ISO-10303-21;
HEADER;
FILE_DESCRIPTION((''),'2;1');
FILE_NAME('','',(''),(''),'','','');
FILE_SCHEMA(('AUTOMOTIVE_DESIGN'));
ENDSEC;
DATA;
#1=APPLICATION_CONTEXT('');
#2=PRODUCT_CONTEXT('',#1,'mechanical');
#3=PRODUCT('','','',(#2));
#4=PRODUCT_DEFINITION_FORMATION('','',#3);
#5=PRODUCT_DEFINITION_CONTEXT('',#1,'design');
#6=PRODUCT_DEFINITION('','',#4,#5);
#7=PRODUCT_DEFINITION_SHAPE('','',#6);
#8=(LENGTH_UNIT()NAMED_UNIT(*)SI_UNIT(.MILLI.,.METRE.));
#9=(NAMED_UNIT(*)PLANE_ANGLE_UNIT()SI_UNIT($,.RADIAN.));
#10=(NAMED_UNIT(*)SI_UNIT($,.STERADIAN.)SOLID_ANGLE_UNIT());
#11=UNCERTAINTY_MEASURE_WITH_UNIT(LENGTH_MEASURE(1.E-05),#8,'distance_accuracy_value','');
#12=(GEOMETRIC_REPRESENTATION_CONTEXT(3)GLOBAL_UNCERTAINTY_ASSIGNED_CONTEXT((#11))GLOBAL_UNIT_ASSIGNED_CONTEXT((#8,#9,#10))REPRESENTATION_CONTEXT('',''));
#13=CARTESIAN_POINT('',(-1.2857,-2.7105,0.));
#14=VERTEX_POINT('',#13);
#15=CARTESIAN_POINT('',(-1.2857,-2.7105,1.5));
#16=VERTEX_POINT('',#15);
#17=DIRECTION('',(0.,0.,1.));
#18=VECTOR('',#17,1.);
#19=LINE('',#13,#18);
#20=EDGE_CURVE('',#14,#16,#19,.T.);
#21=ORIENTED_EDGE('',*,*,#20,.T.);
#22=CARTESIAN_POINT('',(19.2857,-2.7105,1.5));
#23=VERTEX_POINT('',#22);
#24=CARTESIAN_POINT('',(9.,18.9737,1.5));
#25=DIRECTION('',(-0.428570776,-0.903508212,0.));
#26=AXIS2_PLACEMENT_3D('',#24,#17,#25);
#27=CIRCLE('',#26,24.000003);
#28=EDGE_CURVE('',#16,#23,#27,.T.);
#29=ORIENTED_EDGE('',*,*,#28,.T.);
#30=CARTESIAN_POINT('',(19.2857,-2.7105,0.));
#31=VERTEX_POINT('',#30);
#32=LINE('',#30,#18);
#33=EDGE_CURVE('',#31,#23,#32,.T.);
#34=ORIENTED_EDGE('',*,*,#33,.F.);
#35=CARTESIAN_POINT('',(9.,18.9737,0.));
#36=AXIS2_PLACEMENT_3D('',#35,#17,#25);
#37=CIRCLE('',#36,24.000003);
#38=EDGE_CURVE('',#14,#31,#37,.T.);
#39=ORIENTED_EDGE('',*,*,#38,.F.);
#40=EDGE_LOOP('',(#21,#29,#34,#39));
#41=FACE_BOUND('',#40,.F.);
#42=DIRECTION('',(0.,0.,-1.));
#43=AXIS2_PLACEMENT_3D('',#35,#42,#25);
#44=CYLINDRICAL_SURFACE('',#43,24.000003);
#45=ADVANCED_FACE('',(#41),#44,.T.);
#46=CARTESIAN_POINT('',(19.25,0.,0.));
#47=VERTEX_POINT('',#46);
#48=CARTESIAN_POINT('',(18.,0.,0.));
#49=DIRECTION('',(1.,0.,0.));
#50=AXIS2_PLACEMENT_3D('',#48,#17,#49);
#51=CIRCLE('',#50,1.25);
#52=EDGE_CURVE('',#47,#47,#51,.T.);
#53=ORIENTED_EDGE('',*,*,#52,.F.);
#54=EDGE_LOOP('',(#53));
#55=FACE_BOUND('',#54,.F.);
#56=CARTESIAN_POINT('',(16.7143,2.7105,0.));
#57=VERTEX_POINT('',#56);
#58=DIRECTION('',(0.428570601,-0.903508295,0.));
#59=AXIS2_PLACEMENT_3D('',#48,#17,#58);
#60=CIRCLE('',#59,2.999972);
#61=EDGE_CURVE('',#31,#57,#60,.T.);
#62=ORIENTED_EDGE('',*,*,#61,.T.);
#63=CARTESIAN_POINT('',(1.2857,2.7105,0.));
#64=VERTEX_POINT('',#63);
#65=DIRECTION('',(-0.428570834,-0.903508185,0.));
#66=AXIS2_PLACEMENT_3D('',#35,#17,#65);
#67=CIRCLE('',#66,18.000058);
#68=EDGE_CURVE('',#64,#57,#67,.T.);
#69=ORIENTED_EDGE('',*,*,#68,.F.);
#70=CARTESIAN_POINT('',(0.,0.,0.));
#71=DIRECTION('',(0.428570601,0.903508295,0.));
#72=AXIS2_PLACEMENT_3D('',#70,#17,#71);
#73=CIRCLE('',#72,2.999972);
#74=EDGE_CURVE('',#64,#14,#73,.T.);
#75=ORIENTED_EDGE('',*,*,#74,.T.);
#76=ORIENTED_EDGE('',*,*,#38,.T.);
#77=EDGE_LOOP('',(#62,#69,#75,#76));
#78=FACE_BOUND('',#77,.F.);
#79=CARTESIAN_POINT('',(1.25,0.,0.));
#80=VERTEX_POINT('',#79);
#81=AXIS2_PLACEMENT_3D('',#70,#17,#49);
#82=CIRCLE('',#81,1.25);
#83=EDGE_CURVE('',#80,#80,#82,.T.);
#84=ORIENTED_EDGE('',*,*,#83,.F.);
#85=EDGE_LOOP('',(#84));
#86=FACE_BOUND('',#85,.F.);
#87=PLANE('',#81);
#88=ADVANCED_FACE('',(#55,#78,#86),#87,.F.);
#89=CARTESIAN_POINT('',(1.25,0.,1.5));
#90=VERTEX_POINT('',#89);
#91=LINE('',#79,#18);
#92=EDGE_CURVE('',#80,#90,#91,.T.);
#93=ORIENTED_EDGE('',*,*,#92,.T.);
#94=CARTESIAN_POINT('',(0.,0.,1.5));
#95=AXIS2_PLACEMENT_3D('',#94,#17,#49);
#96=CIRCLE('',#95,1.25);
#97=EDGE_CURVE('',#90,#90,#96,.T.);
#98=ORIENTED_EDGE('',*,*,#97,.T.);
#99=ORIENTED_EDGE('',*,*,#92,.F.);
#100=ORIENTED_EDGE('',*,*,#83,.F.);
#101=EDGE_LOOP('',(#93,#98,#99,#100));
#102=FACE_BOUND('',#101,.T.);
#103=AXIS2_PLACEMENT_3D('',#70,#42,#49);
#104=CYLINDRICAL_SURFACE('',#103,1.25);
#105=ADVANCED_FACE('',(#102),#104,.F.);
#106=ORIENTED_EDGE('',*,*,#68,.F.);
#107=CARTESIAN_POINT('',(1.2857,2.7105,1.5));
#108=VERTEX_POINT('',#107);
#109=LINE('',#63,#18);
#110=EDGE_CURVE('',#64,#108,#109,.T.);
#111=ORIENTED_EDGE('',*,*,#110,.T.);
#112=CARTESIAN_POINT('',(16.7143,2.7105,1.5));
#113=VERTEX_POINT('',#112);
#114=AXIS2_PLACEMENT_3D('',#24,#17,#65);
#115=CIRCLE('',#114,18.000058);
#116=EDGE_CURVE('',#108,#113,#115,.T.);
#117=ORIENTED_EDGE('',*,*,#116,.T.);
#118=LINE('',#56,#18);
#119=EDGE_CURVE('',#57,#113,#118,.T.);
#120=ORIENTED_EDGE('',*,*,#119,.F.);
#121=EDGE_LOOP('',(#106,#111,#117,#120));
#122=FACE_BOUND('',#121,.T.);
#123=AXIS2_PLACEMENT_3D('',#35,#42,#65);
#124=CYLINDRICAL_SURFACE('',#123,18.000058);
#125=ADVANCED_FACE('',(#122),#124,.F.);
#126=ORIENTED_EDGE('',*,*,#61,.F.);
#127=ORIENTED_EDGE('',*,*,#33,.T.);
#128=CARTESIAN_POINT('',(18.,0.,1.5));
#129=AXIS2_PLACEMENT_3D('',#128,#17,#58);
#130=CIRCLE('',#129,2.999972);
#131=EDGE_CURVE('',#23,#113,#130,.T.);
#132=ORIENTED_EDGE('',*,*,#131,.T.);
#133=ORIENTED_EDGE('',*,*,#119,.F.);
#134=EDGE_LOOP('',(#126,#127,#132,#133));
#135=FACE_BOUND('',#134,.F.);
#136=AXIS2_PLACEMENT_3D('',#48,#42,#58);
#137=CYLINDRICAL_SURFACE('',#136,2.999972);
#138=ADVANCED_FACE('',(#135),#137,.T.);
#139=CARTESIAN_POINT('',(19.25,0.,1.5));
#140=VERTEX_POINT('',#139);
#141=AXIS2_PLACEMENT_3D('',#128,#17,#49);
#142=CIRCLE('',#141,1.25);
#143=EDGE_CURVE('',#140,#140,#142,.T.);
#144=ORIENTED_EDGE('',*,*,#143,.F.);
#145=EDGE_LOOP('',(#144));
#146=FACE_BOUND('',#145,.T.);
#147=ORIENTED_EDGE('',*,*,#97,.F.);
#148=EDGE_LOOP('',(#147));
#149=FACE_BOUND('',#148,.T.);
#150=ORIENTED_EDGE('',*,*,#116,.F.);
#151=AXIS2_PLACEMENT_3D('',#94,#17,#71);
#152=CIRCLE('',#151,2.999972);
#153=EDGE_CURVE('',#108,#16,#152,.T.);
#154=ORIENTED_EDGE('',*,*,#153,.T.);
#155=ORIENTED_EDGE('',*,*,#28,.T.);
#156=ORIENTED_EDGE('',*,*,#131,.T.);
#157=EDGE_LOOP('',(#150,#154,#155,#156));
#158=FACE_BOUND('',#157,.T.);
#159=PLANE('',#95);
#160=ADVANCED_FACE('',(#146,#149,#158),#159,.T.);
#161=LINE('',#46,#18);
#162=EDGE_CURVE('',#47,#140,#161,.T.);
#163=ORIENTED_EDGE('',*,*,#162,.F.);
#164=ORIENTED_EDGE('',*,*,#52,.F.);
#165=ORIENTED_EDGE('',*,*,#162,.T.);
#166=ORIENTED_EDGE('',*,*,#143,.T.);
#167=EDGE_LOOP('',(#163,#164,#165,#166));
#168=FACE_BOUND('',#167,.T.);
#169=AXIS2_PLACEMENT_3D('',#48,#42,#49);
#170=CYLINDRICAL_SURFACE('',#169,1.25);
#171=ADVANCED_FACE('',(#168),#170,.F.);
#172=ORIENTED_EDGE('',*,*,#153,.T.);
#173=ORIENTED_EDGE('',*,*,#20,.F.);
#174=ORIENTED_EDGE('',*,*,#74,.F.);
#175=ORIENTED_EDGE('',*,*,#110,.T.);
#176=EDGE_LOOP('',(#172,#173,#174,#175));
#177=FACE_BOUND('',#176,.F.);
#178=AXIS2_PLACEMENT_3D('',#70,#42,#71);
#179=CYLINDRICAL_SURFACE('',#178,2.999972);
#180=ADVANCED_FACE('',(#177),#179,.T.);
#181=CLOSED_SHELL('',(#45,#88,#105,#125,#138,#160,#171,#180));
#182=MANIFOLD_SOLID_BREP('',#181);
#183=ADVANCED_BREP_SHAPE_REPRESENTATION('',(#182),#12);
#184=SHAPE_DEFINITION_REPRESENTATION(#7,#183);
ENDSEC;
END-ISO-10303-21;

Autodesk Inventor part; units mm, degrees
ref_plane "YZ Plane" through (0, 0, 0) normal (1, 0, 0) x (0, 1, 0)
ref_plane "XZ Plane" through (0, 0, 0) normal (0, 1, 0) x (-1, 0, 0)
ref_plane "XY Plane" through (0, 0, 0) normal (0, 0, 1) x (1, 0, 0)
sketch "Sketch1" plane through (0, 0, 0) normal (0, 0, 1) x (1, 0, 0)
  circle A0 centre (0, 0) radius 1.25
  line L0 (0, 0) -> (18, 0) construction
  circle A1 centre (18, 0) radius 1.25
  arc A2 (1.2857, 2.7105) -> (-1.2857, -2.7105) centre (0, 0) ccw
  arc A3 (19.2857, -2.7105) -> (16.7143, 2.7105) centre (18, 0) ccw
  arc A4 (1.2857, 2.7105) -> (16.7143, 2.7105) centre (9, 18.9737) ccw
  arc A5 (-1.2857, -2.7105) -> (19.2857, -2.7105) centre (9, 18.9737) ccw
  dimension "d0" = 2.5
  dimension "d1" = 18
  dimension "d8" = 6
  dimension "d17" = 18
extrude "Extrusion1" add sketch "Sketch1" along normal blind 1.5
properties part number "linkageA"
